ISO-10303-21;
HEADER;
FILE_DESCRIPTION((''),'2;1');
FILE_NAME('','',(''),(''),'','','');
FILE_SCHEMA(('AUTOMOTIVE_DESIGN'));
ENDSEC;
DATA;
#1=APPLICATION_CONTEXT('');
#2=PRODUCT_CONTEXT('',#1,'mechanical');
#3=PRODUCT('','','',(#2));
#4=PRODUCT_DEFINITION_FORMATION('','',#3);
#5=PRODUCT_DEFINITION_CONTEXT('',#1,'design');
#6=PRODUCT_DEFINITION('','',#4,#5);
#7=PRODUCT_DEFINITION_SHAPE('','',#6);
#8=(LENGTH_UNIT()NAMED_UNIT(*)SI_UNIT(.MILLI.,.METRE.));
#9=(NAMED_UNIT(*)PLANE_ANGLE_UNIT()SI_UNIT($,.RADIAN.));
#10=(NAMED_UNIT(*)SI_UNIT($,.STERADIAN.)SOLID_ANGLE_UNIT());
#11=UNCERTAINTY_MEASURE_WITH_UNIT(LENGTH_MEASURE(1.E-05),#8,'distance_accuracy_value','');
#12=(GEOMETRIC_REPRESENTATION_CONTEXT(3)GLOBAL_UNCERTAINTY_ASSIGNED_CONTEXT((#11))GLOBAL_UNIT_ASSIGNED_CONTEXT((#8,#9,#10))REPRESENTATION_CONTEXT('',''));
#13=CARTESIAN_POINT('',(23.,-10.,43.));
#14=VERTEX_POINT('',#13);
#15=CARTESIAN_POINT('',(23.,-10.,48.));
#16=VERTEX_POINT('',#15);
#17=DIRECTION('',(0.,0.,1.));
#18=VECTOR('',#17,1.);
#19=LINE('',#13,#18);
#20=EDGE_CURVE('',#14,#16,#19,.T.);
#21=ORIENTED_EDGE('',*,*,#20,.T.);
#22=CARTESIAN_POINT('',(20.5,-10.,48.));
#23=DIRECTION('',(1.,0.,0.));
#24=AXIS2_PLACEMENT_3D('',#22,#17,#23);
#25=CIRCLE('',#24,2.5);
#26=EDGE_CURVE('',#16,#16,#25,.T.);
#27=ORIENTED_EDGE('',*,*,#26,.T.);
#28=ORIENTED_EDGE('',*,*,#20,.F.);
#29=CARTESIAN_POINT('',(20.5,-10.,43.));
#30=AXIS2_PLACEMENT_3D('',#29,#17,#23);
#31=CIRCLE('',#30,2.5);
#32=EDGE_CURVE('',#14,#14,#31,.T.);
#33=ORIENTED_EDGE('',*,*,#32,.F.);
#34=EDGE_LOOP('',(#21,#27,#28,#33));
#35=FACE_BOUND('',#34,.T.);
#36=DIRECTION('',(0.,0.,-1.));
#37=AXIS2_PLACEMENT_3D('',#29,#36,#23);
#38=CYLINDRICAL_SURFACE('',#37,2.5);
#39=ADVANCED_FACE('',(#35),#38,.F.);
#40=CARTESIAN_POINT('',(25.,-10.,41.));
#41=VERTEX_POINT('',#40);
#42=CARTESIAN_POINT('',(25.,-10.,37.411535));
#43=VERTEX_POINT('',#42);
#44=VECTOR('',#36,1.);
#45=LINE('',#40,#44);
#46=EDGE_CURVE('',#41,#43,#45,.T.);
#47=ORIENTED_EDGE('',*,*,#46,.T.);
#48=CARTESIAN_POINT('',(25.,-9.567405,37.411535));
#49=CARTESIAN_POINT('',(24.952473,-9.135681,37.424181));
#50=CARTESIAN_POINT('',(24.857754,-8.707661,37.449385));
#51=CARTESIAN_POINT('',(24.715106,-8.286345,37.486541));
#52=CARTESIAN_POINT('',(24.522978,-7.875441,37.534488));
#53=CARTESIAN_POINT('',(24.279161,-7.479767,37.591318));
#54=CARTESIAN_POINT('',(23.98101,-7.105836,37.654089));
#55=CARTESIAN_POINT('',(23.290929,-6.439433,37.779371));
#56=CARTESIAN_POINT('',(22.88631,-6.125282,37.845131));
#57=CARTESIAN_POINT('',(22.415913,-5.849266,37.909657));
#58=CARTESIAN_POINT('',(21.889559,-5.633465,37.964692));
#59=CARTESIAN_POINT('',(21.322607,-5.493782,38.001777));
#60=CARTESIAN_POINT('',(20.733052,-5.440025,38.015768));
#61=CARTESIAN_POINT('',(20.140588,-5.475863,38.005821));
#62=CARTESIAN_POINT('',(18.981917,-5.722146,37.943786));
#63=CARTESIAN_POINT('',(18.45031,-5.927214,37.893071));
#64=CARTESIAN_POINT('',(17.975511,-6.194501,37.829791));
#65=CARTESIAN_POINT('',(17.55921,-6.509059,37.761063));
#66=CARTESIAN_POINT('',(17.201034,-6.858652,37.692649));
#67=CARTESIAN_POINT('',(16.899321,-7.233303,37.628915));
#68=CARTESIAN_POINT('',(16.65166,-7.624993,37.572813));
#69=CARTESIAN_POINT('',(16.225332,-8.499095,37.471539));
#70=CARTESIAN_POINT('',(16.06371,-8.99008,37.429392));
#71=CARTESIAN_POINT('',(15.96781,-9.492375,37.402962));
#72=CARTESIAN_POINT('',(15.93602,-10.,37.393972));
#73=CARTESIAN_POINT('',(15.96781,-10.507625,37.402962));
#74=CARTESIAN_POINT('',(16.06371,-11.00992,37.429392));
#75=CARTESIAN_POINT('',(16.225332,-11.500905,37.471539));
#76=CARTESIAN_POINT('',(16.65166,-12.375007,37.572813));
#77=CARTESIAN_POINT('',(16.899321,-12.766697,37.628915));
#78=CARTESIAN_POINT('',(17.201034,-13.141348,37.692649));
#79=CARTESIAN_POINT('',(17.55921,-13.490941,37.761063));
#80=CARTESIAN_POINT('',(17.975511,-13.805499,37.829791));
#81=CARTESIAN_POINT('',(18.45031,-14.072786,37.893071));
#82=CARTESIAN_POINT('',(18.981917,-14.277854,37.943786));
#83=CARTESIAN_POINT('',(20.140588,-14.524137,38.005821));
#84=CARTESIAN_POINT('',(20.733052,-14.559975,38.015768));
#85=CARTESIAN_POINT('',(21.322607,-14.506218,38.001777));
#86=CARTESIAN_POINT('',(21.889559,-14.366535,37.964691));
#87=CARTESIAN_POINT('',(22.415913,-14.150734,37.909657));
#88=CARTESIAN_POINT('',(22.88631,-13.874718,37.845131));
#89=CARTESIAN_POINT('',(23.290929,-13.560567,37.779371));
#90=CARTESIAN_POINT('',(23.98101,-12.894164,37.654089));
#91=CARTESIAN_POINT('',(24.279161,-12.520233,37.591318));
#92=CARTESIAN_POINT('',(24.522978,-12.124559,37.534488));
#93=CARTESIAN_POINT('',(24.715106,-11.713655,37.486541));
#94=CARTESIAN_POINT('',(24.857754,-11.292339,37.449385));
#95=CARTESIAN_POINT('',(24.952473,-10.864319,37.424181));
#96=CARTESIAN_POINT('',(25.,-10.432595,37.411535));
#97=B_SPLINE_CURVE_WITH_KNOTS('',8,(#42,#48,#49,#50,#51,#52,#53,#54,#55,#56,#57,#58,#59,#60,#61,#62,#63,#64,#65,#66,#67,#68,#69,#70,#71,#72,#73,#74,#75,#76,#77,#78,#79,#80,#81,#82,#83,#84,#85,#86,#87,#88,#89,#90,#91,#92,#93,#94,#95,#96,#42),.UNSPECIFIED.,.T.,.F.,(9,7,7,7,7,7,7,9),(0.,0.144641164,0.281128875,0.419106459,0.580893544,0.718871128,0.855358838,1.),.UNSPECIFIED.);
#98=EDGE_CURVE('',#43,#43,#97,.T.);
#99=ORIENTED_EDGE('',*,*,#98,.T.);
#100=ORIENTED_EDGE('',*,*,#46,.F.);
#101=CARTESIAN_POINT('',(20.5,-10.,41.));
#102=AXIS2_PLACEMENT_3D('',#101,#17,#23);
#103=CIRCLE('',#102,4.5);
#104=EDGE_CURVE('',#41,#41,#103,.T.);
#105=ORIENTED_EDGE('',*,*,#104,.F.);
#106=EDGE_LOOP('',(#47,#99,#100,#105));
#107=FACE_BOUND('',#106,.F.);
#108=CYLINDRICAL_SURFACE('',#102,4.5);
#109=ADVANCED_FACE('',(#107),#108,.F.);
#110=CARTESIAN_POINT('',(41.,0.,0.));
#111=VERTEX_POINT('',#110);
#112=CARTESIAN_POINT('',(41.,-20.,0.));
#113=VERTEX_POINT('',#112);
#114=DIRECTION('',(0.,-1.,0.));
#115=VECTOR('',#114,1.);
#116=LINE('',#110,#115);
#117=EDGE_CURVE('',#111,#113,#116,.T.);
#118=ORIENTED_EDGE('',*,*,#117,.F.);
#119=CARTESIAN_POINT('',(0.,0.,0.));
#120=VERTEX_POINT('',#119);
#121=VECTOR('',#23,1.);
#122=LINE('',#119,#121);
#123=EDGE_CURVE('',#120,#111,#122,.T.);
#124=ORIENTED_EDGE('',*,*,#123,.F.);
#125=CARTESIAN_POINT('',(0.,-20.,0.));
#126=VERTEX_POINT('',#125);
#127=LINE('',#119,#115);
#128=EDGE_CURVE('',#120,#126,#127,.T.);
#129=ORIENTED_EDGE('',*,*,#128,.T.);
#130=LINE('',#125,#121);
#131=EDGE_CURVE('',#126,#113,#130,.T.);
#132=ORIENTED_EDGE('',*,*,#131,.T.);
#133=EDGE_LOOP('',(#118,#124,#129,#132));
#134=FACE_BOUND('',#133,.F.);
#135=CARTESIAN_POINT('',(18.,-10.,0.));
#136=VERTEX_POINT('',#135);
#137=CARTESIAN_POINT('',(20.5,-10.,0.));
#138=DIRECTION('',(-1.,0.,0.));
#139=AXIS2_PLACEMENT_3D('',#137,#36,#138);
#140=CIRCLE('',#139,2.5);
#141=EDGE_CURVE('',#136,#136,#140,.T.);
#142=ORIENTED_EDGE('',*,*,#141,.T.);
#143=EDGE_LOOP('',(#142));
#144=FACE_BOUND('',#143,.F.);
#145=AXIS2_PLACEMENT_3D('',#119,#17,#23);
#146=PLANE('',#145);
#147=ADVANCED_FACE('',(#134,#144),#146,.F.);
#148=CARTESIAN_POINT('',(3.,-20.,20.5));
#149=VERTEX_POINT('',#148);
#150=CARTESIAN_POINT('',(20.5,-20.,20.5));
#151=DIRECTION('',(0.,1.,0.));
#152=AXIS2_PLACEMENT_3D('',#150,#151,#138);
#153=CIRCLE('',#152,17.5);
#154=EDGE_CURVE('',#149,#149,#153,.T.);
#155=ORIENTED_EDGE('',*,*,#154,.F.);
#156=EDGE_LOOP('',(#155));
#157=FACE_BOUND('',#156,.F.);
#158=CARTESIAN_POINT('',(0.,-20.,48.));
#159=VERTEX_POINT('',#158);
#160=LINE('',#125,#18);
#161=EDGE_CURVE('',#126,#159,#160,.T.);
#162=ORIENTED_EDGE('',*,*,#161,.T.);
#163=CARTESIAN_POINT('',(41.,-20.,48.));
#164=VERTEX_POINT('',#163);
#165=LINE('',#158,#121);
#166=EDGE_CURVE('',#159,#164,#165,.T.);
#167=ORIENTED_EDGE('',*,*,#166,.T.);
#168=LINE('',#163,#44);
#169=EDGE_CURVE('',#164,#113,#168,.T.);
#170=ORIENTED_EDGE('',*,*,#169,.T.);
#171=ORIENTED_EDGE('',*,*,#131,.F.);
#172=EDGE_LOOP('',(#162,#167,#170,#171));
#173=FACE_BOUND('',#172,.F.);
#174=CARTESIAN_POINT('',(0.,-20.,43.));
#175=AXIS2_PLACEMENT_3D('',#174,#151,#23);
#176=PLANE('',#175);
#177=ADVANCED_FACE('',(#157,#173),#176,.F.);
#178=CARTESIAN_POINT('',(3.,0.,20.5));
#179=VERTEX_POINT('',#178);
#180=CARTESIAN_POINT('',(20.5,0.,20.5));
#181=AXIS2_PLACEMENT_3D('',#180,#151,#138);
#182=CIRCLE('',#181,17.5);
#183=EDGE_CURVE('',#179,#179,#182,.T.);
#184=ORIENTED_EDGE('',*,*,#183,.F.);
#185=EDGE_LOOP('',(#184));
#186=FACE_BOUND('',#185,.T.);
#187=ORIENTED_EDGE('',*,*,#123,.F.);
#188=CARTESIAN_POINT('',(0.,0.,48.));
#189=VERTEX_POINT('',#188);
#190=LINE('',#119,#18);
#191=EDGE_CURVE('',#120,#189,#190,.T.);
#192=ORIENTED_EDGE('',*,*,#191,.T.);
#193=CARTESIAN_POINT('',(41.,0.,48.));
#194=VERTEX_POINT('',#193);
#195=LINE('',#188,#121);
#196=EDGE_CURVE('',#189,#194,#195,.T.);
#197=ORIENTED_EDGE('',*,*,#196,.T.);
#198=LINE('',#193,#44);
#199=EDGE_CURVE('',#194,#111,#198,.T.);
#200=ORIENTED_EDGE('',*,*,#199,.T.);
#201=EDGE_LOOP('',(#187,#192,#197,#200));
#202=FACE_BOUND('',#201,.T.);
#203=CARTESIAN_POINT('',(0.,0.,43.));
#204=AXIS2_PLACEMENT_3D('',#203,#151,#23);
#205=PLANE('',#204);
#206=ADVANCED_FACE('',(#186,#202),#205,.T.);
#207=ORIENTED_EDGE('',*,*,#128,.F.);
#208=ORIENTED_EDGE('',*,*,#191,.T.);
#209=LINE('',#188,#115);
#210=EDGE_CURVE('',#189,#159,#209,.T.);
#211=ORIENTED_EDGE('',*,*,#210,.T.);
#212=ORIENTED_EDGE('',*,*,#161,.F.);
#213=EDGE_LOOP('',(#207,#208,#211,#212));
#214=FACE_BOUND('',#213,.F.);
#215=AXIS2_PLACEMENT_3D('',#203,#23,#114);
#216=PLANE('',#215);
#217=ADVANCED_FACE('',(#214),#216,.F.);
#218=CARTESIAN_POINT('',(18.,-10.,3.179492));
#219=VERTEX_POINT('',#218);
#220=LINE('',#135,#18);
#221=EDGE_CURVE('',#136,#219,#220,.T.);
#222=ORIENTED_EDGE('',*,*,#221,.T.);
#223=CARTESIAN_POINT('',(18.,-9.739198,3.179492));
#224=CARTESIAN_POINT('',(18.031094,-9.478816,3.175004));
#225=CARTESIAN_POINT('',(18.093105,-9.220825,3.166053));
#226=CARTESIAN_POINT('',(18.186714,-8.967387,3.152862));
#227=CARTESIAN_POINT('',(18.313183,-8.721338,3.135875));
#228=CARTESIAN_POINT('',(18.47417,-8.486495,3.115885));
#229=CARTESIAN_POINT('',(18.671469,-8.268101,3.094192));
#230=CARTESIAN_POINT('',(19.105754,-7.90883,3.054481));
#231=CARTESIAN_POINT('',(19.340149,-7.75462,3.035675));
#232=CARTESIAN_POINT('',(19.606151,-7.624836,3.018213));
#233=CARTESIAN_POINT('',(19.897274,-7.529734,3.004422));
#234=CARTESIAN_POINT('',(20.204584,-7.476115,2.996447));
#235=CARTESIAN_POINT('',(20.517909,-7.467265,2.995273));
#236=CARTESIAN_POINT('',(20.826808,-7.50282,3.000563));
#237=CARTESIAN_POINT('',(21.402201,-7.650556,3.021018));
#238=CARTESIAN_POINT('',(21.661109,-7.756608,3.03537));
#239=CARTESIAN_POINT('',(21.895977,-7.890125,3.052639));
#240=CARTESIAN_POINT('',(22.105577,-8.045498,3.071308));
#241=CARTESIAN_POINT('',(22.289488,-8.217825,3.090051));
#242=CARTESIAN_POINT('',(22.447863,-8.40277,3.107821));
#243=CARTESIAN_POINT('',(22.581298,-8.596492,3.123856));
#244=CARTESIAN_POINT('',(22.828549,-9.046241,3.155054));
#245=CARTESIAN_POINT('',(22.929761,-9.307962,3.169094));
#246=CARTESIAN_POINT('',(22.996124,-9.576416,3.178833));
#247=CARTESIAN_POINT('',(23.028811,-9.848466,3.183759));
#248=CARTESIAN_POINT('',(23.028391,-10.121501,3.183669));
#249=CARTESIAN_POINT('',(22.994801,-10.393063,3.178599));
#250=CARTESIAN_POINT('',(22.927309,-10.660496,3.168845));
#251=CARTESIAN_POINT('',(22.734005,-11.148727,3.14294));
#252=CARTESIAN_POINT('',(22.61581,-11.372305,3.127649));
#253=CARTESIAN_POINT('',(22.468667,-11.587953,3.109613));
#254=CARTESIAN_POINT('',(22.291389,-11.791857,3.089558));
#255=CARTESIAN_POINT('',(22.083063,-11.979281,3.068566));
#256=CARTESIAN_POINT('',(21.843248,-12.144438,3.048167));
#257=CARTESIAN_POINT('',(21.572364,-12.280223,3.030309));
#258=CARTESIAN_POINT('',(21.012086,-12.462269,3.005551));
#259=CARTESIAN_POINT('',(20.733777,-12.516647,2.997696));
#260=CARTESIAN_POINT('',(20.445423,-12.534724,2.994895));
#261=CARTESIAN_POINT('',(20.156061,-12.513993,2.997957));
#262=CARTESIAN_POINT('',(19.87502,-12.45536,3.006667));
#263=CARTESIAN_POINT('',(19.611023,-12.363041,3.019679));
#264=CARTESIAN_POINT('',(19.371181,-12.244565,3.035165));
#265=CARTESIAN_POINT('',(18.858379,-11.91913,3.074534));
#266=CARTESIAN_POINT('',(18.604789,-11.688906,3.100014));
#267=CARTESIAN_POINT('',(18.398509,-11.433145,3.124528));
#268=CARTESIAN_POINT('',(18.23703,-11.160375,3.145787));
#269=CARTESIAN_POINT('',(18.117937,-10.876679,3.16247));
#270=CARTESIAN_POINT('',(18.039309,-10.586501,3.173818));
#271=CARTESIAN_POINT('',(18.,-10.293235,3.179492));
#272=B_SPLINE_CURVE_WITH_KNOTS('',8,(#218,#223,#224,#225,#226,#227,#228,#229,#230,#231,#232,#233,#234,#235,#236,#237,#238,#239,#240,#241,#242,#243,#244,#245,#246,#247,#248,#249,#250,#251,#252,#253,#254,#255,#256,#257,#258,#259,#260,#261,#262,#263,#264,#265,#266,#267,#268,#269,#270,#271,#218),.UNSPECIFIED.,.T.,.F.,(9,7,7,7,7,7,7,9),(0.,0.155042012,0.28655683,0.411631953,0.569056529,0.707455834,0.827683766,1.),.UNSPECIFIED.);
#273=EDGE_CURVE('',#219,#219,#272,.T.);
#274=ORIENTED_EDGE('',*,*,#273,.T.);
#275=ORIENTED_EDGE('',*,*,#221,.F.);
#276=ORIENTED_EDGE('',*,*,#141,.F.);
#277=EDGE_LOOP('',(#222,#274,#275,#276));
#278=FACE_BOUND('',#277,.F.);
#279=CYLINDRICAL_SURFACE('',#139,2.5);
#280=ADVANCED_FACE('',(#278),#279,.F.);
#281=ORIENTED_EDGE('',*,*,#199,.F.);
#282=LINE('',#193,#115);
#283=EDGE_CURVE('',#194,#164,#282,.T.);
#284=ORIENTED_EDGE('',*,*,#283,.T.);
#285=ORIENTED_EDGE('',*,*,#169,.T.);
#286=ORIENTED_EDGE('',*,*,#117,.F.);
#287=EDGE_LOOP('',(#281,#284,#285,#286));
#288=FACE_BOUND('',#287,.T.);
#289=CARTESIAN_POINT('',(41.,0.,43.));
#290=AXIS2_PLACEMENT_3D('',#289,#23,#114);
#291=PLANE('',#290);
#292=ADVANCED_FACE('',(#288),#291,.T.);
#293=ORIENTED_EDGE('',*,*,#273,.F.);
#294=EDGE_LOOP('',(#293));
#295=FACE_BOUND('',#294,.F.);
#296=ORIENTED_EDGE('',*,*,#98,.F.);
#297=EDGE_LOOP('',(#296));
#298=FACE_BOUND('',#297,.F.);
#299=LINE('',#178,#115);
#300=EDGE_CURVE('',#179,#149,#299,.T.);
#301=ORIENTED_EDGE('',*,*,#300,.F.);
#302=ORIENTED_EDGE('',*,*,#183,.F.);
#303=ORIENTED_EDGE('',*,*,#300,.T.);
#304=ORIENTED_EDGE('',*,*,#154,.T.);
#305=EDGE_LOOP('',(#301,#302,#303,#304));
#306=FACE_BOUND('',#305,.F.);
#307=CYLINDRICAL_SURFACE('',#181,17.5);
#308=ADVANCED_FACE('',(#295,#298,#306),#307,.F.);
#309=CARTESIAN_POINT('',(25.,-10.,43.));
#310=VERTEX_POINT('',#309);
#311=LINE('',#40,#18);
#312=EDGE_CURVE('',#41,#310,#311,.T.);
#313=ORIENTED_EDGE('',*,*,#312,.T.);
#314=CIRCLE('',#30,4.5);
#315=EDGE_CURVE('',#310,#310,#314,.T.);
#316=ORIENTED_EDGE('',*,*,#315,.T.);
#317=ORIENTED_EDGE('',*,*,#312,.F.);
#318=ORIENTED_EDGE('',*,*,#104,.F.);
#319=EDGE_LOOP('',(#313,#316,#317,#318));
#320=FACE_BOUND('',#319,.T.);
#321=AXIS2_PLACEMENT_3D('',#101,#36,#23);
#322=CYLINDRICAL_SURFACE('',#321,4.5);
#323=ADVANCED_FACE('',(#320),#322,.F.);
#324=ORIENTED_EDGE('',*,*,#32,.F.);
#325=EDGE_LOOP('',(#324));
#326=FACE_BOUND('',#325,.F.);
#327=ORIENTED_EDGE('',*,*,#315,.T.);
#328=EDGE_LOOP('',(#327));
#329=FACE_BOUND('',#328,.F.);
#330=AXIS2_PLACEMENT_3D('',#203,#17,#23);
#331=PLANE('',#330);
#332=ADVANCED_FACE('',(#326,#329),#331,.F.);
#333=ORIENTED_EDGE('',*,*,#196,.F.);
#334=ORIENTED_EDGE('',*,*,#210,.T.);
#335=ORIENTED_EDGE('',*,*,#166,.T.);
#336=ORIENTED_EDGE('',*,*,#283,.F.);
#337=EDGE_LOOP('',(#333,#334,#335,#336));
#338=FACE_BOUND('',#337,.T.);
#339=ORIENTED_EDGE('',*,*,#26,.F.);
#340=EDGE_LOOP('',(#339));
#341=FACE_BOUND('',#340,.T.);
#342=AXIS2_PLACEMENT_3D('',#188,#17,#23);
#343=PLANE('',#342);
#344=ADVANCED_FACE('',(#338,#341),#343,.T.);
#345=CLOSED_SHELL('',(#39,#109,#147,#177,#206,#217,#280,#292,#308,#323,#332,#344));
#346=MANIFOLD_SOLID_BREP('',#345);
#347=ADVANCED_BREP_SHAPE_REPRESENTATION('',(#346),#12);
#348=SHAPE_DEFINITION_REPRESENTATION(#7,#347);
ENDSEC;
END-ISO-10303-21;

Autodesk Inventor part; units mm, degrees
ref_plane "YZ Plane" through (0, 0, 0) normal (1, 0, 0) x (0, 1, 0)
ref_plane "XZ Plane" through (0, 0, 0) normal (0, 1, 0) x (-1, 0, 0)
ref_plane "XY Plane" through (0, 0, 0) normal (0, 0, 1) x (1, 0, 0)
sketch "Sketch1" plane through (0, 0, 0) normal (0, 1, 0) x (-1, 0, 0)
  line L0 (0, 0) -> (-41, 0)
  line L1 (-41, 0) -> (-41, 41)
  line L2 (-41, 41) -> (0, 41)
  line L3 (0, 41) -> (0, 0)
  circle A0 centre (-20.5, 20.5) radius 17.5
  point P0 (-20.5, 0)
  dimension "d0" = 41
  dimension "d1" = 41
  dimension "d2" = 20.5
  dimension "d3" = 20.5
  dimension "d4" = 35
extrude "Extrusion1" add sketch "Sketch1" against normal blind 20
sketch "Sketch3" plane through (0, 0, 41) normal (0, 0, 1) x (1, 0, 0)
  circle A0 centre (20.5, -10) radius 4.5
  point P0 (0, 0)
  dimension "d8" = 9
extrude "Extrusion2" cut sketch "Sketch3" against normal blind 5
sketch "Sketch4" plane through (41, 0, 0) normal (0, 0, -1) x (-1, 0, 0)
  circle A0 centre (20.5, -10) radius 4.5 projected
  circle A1 centre (20.5, -10) radius 2.5
  point P0 (41, 0)
  dimension "d11" = 5
extrude "Extrusion3" cut sketch "Sketch4" against normal blind 5 contours A1
sketch "Sketch5" plane through (0, 0, 41) normal (0, 0, 1) x (1, 0, 0)
  line L0 (41, 0) -> (0, 0) projected
  line L1 (0, -20) -> (41, -20) projected
  line L2 (0, 0) -> (41, 0)
  line L3 (41, 0) -> (41, -20)
  line L4 (41, -20) -> (0, -20)
  line L5 (0, -20) -> (0, 0)
  line L6 (0, 0) -> (0, -20) projected
  line L7 (0, 0) -> (41, 0)
  line L8 (41, 0) -> (41, -20)
  line L9 (41, -20) -> (0, -20)
  line L10 (0, -20) -> (0, 0)
  circle A0 centre (20.5, -10) radius 4.5
extrude "Extrusion4" add sketch "Sketch5" along normal blind 2
sketch "Sketch6" plane through (0, 0, 43) normal (0, 0, 1) x (1, 0, 0)
  line L0 (0, 0) -> (0, -20) projected
  line L1 (0, -20) -> (41, -20) projected
  line L2 (0, 0) -> (41, 0)
  line L3 (41, 0) -> (41, -20)
  line L4 (41, -20) -> (0, -20)
  line L5 (0, -20) -> (0, 0)
  circle A0 centre (20.5, -10) radius 2.5
extrude "Extrusion5" add sketch "Sketch6" along normal blind 5
equation "\"d1\" = d0"
equation "\"d2\" = 0.5 * d1"
equation "\"d3\" = 0.5 * d0"
properties part number "welco mount v01"
